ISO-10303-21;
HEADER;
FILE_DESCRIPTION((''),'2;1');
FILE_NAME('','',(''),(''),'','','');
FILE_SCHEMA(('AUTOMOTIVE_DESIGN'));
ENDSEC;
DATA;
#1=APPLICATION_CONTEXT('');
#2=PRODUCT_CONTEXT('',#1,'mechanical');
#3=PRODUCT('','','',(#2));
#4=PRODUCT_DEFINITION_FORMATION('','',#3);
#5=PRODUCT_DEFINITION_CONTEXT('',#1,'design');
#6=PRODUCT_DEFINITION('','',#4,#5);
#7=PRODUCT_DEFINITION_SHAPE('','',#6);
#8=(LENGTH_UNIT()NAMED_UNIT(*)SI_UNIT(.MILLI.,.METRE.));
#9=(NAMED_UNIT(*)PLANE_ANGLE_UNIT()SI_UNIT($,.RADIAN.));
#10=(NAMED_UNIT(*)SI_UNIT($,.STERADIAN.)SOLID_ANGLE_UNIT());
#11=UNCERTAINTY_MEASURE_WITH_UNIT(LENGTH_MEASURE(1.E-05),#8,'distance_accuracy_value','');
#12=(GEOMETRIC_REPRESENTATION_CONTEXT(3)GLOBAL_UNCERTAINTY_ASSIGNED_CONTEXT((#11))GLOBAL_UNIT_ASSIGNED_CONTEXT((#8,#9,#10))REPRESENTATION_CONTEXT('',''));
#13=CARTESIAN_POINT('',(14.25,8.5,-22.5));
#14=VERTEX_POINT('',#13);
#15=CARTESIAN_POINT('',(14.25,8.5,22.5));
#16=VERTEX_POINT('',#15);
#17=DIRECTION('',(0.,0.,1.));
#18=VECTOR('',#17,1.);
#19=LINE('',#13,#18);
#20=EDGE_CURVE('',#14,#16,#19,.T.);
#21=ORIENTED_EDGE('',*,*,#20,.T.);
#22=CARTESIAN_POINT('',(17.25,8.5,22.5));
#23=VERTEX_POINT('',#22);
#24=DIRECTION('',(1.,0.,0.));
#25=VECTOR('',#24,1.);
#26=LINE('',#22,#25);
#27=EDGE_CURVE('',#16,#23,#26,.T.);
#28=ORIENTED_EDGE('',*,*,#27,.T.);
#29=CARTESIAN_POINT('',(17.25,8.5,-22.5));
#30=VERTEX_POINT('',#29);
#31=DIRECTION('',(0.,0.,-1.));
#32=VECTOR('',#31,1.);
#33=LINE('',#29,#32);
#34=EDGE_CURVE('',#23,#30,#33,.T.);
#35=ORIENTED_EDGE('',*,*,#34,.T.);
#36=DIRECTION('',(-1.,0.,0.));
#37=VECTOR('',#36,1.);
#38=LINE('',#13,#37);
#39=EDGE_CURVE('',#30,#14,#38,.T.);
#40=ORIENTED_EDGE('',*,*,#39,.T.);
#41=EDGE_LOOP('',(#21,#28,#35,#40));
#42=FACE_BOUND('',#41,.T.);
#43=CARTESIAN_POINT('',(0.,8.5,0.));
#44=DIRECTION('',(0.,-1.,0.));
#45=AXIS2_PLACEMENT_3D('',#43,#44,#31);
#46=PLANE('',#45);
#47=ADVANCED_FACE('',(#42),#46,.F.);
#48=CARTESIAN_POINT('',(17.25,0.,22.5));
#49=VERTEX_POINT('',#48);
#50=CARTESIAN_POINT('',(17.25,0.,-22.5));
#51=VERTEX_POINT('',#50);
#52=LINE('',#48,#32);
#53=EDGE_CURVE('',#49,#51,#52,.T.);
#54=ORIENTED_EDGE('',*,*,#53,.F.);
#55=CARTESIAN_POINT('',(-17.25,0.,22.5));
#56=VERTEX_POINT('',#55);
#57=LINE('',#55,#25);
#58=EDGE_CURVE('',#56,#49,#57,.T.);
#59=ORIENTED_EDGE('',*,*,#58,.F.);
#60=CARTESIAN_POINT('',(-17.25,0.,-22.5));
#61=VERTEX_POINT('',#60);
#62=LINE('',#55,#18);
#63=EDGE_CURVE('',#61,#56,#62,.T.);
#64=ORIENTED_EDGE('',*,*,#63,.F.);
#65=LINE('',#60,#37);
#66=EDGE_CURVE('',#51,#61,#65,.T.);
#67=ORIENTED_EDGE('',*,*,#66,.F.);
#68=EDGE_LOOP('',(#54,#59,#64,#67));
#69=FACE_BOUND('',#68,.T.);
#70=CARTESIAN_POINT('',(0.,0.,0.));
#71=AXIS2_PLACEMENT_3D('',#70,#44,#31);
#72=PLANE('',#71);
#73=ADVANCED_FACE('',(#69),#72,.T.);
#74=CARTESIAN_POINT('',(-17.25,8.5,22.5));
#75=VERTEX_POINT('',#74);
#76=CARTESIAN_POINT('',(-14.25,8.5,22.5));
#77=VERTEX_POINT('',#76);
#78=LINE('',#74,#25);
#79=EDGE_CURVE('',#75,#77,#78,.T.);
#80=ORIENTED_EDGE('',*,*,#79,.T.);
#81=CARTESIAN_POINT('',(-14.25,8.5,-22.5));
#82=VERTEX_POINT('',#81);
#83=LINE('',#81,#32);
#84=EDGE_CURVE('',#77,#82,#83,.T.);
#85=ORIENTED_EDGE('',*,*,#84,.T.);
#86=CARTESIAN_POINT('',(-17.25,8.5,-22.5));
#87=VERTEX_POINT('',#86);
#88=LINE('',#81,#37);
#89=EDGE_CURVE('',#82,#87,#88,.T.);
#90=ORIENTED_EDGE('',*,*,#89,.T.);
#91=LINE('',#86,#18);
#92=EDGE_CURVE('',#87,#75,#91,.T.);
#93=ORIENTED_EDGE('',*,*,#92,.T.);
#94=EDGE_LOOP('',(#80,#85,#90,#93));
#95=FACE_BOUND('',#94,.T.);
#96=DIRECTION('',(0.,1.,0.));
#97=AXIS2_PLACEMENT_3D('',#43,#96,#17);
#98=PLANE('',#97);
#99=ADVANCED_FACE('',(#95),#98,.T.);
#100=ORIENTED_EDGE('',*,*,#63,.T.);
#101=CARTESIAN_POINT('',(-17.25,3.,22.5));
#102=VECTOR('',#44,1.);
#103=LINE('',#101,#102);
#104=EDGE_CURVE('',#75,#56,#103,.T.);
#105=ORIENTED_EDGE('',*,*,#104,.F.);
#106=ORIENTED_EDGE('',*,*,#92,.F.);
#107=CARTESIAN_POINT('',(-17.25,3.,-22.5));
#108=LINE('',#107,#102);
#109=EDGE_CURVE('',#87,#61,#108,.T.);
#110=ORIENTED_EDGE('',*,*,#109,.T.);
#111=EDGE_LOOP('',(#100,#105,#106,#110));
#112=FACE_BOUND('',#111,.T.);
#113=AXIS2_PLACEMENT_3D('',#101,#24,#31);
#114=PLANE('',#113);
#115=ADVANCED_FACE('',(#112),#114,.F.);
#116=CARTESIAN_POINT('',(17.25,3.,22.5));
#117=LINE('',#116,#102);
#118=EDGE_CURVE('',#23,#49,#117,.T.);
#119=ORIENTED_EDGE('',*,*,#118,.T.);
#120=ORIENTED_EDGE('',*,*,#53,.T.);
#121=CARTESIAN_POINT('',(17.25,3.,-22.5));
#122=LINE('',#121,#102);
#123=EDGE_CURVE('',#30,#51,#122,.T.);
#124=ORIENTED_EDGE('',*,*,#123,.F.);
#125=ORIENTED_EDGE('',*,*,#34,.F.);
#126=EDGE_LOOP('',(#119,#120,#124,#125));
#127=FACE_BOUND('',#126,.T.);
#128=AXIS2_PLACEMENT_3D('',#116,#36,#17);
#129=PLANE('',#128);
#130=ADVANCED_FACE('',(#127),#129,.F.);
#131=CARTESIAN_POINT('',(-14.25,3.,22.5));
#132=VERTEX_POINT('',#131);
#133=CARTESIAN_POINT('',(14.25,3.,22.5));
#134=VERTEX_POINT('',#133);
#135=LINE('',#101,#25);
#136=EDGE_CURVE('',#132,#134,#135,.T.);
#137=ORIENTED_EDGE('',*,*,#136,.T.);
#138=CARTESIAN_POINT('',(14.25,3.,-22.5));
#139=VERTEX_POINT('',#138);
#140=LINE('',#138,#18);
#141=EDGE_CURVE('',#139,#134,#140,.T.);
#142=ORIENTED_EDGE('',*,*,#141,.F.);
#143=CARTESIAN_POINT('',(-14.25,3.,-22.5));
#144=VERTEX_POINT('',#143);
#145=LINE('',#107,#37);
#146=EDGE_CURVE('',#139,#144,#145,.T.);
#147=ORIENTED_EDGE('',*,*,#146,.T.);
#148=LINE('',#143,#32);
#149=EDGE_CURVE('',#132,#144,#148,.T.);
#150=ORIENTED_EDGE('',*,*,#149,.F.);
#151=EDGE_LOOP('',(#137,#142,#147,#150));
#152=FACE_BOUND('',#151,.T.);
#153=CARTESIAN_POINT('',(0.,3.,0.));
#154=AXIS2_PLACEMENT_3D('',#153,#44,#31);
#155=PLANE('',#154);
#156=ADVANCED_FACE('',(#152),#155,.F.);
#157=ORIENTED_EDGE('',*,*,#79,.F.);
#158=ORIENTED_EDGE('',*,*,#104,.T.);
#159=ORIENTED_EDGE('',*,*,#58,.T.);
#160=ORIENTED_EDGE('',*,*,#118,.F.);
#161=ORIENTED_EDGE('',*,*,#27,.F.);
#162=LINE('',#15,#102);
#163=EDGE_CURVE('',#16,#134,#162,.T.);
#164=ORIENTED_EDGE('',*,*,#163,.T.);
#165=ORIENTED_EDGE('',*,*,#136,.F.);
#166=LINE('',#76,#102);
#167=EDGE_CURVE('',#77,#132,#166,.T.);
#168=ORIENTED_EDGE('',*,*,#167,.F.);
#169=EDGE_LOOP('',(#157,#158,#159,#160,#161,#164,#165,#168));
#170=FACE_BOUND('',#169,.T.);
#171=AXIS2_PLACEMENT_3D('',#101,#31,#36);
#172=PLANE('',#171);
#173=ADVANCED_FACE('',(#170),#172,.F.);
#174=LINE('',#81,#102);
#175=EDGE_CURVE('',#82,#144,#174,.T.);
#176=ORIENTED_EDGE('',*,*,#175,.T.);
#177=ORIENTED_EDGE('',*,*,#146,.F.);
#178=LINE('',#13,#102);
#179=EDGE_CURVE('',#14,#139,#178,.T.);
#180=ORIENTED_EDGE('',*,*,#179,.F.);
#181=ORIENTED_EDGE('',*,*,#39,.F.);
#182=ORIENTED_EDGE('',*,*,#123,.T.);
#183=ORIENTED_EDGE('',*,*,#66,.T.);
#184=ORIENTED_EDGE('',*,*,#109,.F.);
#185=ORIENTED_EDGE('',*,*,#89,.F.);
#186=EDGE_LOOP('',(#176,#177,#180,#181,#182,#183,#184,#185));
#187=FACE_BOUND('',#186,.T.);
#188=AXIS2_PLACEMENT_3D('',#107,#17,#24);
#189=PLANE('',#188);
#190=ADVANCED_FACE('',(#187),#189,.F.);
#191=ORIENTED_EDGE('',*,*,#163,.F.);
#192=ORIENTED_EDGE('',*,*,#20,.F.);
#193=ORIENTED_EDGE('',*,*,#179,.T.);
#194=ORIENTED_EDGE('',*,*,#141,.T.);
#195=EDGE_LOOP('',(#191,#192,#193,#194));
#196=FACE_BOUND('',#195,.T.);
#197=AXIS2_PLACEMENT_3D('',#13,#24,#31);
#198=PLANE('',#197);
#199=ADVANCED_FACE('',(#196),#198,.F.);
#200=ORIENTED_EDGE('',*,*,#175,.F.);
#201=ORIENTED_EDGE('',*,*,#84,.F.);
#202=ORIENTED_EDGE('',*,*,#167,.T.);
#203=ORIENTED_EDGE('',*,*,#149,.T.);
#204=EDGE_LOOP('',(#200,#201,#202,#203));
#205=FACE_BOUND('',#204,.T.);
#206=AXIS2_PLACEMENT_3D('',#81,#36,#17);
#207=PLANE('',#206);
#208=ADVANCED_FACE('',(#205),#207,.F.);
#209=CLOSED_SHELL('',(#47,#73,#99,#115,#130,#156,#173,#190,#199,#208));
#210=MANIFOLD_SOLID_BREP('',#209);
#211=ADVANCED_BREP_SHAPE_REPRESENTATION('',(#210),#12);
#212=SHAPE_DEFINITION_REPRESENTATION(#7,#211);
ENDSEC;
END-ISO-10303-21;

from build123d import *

# Parameters (mm, degrees)
SKETCH2_W           = 34.5
SKETCH2_H           = 45
BOSS_EXTRUDE1_DEPTH = 3
SKETCH3_W           = 3
SKETCH3_H           = 45
BOSS_EXTRUDE2_DEPTH = 5.5


with BuildPart() as part:
    # Sketch2 → Boss-Extrude1 (new body)
    with BuildSketch(Plane(origin=(0, 0, 0), x_dir=(1, 0, 0), z_dir=(0, 1, 0))):
        Rectangle(SKETCH2_W, SKETCH2_H)
    extrude(amount=BOSS_EXTRUDE1_DEPTH)

    # Sketch3 → Boss-Extrude2 (add)
    with BuildSketch(Plane(origin=(0, 3, 0), x_dir=(1, 0, 0), z_dir=(0, 1, 0))):
        with Locations((-15.75, 0)):
            Rectangle(SKETCH3_W, SKETCH3_H)
        with Locations((15.75, 0)):
            Rectangle(SKETCH3_W, SKETCH3_H)
    extrude(amount=BOSS_EXTRUDE2_DEPTH)


solid = part.part
